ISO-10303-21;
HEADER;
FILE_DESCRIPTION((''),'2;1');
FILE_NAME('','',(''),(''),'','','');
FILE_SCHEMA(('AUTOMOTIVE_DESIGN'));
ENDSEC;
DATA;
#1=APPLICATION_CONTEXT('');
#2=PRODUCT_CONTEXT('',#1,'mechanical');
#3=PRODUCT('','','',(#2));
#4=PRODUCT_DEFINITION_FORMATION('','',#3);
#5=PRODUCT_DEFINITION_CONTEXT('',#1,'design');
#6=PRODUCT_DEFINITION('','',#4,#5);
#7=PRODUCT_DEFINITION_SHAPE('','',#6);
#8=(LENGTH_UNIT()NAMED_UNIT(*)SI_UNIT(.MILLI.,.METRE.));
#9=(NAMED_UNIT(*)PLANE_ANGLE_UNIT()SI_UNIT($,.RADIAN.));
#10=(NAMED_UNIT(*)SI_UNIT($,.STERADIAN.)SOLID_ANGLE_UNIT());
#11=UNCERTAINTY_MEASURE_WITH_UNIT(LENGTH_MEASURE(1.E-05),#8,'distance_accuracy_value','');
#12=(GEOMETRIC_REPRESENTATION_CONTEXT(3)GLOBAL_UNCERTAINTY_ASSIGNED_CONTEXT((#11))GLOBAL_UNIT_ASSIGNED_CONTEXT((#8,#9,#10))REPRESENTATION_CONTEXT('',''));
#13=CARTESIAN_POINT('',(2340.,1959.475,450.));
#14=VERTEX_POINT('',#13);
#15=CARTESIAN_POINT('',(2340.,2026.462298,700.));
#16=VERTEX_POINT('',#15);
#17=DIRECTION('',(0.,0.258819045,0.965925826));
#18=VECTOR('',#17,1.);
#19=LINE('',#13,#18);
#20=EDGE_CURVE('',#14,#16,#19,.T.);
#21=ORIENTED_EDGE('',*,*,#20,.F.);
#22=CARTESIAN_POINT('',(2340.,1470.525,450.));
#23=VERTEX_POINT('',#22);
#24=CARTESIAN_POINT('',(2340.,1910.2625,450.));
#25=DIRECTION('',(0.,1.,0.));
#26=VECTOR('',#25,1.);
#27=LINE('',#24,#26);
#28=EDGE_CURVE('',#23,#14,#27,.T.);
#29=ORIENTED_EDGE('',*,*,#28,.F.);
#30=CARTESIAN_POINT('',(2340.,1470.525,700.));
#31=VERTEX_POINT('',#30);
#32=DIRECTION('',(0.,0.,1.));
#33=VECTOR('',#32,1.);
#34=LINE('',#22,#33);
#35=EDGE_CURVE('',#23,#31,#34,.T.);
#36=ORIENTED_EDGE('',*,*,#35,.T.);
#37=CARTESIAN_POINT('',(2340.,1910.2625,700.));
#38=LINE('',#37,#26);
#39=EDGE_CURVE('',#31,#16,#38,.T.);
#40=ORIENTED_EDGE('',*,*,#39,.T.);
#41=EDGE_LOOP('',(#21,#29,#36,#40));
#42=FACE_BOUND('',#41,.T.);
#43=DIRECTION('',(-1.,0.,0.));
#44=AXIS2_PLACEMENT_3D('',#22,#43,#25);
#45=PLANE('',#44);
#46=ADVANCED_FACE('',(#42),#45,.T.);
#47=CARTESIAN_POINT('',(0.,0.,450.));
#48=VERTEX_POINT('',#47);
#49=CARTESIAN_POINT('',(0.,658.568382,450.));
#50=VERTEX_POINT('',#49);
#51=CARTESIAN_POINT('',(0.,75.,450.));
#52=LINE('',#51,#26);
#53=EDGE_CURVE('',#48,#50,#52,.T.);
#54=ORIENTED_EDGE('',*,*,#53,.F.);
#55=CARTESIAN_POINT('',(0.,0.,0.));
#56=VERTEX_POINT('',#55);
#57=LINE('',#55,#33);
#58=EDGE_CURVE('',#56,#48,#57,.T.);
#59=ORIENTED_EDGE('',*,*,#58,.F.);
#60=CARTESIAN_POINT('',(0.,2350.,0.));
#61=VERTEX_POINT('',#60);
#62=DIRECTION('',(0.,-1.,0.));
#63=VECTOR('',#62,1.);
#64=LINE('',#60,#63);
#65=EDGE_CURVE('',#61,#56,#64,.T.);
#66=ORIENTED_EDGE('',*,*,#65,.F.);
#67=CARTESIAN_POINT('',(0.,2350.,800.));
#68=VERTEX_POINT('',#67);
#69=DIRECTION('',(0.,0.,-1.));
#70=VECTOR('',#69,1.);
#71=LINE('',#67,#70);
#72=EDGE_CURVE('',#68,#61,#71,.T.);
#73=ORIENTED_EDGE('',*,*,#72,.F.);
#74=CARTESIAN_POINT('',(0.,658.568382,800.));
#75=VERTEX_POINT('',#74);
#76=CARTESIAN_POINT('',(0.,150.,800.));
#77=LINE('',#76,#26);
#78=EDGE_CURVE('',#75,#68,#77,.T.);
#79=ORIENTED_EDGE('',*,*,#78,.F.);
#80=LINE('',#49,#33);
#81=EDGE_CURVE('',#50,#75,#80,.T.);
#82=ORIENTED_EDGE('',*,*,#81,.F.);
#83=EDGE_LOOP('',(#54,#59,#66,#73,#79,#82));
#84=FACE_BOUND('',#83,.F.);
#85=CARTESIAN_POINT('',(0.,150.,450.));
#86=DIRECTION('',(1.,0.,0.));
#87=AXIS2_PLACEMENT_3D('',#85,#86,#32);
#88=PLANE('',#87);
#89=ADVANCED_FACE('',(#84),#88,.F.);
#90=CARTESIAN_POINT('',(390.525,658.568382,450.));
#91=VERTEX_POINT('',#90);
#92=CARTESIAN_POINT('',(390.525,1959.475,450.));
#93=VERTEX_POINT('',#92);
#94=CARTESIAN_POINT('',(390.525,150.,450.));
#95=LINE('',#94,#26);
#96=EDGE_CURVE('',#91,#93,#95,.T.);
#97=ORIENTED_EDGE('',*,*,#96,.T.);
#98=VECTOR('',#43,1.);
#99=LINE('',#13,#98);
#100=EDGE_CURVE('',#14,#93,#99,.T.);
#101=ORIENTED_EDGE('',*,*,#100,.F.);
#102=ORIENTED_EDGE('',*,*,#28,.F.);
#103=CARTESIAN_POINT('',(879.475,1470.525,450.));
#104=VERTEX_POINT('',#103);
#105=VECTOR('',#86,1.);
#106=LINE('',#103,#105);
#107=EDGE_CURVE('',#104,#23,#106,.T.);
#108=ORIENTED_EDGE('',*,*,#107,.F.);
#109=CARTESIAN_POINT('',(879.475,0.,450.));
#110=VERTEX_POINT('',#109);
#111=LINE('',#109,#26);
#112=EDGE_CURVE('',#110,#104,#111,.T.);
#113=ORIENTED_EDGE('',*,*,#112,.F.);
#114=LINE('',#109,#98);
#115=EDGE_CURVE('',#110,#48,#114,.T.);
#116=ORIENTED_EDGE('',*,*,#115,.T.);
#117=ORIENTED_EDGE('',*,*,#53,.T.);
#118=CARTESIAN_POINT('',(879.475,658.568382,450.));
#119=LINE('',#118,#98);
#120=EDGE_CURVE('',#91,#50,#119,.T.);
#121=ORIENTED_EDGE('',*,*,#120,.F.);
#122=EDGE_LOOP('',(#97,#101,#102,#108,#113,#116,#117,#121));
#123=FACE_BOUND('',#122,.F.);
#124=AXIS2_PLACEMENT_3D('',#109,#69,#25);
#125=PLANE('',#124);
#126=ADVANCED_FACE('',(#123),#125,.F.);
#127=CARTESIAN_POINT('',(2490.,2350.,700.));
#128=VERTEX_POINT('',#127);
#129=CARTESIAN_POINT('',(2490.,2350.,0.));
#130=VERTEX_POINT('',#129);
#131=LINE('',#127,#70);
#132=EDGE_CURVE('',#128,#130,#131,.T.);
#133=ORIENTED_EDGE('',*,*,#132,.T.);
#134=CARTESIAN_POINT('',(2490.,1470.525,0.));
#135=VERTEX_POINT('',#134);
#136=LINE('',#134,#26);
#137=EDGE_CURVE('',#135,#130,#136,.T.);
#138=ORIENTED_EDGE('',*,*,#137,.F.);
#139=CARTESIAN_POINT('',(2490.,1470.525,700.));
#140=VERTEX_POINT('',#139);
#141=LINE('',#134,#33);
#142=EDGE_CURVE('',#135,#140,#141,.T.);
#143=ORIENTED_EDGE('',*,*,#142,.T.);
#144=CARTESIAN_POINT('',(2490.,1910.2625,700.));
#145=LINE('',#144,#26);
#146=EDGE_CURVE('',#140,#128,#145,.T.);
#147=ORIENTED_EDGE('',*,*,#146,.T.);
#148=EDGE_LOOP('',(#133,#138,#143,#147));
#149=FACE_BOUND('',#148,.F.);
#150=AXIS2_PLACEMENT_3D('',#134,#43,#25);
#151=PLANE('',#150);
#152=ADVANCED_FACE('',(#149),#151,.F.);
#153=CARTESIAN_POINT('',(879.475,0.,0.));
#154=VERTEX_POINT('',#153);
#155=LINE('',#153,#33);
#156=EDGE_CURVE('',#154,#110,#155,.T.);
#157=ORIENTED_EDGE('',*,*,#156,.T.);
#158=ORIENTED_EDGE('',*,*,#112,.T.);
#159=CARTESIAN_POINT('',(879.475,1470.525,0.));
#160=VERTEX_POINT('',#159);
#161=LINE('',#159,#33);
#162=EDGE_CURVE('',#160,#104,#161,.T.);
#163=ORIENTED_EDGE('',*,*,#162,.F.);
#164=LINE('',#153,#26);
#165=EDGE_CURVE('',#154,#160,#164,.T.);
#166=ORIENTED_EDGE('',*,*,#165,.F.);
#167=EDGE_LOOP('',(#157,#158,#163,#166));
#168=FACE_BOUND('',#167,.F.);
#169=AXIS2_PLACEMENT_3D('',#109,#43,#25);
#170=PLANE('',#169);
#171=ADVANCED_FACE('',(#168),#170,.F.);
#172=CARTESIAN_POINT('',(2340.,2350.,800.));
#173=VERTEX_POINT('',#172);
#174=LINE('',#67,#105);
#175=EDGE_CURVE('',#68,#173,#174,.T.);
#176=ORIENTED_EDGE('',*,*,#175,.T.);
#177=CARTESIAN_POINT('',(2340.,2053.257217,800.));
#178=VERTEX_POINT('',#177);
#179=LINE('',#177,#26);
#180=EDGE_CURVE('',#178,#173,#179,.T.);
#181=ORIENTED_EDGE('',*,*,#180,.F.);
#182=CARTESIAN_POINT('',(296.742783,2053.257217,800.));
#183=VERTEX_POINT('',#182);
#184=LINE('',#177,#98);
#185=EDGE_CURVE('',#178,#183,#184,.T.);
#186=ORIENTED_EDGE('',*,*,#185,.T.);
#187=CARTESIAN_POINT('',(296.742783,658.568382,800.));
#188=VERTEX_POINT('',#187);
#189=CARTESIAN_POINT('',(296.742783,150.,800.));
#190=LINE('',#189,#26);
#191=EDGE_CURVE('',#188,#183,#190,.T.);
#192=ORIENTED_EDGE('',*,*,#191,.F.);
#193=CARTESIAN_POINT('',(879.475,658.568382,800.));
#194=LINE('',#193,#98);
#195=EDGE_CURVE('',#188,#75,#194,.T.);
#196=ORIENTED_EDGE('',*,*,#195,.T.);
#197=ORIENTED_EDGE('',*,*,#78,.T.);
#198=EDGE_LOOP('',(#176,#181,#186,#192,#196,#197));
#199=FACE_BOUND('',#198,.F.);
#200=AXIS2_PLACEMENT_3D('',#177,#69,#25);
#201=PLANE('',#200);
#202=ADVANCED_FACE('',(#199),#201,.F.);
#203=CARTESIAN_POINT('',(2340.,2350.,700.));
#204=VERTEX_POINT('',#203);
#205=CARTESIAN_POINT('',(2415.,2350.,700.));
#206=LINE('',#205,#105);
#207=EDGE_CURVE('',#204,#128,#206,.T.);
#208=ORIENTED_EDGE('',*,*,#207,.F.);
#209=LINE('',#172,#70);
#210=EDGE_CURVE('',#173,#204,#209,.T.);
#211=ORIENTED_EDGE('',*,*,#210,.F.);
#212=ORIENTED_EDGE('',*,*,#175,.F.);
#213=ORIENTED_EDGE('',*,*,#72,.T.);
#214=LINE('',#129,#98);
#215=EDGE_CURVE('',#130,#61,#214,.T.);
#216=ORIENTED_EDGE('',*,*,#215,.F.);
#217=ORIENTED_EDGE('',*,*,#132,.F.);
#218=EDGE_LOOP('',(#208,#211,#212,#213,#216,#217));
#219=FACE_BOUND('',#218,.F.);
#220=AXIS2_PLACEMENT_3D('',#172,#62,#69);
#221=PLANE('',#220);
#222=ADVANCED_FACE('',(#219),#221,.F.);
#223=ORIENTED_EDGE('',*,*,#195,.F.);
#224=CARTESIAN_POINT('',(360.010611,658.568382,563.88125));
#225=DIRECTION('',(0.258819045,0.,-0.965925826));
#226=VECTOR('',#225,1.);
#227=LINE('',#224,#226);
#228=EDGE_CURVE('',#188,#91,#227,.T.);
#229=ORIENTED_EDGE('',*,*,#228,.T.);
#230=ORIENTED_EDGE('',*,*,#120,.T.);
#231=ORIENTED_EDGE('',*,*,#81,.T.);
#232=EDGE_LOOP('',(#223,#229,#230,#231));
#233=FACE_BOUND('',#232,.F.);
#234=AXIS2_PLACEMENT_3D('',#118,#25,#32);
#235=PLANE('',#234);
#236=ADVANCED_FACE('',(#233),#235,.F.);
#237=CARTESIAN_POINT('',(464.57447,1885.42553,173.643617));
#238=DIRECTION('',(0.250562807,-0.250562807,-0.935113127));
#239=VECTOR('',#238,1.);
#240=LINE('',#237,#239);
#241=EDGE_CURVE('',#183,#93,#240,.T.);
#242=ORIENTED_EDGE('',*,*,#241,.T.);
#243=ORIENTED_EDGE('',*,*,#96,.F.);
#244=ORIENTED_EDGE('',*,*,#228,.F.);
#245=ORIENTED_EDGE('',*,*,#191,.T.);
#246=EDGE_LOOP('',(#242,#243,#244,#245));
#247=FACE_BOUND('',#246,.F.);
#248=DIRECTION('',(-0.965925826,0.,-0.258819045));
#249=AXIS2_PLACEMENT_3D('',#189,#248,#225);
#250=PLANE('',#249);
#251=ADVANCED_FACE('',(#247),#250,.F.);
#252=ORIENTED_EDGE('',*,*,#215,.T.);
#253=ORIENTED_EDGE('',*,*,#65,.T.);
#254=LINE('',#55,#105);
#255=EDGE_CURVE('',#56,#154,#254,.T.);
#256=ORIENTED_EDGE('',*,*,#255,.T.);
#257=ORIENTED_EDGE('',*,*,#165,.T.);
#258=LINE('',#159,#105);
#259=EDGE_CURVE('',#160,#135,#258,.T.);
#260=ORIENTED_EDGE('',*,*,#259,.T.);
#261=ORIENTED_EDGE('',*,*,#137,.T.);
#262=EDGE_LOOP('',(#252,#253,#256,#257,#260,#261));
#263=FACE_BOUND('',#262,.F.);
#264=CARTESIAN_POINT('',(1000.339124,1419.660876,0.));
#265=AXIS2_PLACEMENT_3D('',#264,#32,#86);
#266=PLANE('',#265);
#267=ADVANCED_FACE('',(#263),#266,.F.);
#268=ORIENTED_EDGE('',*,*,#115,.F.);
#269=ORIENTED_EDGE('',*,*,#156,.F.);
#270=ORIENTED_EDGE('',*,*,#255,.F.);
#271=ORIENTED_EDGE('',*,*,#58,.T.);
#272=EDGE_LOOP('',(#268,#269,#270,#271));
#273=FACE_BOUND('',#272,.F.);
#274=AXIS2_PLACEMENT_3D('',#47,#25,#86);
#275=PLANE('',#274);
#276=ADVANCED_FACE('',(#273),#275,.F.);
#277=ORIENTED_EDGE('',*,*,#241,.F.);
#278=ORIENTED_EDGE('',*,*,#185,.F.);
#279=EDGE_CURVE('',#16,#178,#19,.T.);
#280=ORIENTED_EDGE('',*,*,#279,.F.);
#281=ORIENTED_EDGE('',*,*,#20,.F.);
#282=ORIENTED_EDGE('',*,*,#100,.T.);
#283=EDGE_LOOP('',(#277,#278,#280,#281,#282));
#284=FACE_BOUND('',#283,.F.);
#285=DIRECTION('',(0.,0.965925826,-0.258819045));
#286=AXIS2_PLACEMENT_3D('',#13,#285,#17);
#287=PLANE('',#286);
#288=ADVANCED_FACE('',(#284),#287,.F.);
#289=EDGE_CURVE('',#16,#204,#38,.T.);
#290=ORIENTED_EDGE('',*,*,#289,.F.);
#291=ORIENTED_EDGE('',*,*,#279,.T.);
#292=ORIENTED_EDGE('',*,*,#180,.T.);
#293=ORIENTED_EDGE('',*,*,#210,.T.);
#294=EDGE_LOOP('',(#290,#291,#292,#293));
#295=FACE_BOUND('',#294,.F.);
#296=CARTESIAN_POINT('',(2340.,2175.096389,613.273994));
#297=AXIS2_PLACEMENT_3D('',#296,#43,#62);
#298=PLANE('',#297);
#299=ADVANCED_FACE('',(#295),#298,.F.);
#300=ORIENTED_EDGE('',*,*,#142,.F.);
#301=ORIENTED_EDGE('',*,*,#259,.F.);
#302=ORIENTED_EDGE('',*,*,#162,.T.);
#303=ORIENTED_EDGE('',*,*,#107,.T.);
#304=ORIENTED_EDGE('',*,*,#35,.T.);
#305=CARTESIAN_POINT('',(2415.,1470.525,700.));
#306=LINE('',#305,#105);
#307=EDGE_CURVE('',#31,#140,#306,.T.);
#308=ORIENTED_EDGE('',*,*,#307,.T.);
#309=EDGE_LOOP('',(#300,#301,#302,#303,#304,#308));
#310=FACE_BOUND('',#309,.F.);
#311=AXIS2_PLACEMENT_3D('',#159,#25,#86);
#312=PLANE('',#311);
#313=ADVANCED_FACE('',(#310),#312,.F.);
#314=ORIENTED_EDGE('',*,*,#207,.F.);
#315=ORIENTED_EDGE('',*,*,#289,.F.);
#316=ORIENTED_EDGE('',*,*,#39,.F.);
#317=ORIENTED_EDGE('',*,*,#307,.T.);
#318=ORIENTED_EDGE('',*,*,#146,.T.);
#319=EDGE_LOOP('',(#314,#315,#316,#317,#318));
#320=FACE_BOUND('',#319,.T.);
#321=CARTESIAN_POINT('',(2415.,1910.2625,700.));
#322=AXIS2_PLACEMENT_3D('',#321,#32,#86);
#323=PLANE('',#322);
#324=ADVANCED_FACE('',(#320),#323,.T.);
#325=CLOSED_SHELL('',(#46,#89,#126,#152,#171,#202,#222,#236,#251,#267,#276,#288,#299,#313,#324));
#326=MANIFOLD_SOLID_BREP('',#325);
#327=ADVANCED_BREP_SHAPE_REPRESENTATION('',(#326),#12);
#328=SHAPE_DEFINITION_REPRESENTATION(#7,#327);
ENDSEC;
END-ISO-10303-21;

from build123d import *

# Parameters (mm, degrees)
F1_DEPTH = 450
F2_W     = 879.475
F2_H     = 150
F2_W_2   = 150
F2_H_2   = 879.475
F3_DEPTH = 250
F5_DEPTH = 2200
F8_W     = 658.5683822632
F8_H     = 350
F9_DEPTH = 879.476


with BuildPart() as f1:
    # F0 (on Top) → F1 (new body)
    with BuildSketch(Plane.XY):
        Polygon((0, 2350), (0, 0), (879.475, 0), (879.475, 1470.525), (2490, 1470.525), (2490, 2350), align=None)
    extrude(amount=F1_DEPTH)

    # F2 (on face) → F3 (join)
    with BuildSketch(Plane.XY.offset(450)):
        with Locations((439.7375, 75)):
            Rectangle(F2_W, F2_H)
        with Locations((2415, 1910.2625)):
            Rectangle(F2_W_2, F2_H_2)
    extrude(amount=F3_DEPTH)

    # F4 (on face) → F5 (join, through all)
    with BuildSketch(Plane(origin=(0, 150, 0), x_dir=(-1, 0, 0), z_dir=(0, 1, 0))):
        Polygon((-390.525, 450), (0, 450), (0, 800), (-296.7427826491, 800), align=None)
    extrude(amount=F5_DEPTH)

    # F6 (on face) → F7 (join, up to the next surface of F1)
    with BuildSketch(Plane(origin=(2340, 0, 0), x_dir=(0, -1, 0), z_dir=(-1, 0, 0))):
        Polygon((-2350, 800), (-2350, 450), (-1959.475, 450), (-2053.2572173509, 800), align=None)
    extrude(until=Until.NEXT)

    # F8 (on face) → F9 (cut, through all)
    with BuildSketch(Plane.YZ.offset(879.475)):
        with Locations((329.2841911316, 625)):
            Rectangle(F8_W, F8_H)
    extrude(amount=-F9_DEPTH, mode=Mode.SUBTRACT)


solid = f1.part
